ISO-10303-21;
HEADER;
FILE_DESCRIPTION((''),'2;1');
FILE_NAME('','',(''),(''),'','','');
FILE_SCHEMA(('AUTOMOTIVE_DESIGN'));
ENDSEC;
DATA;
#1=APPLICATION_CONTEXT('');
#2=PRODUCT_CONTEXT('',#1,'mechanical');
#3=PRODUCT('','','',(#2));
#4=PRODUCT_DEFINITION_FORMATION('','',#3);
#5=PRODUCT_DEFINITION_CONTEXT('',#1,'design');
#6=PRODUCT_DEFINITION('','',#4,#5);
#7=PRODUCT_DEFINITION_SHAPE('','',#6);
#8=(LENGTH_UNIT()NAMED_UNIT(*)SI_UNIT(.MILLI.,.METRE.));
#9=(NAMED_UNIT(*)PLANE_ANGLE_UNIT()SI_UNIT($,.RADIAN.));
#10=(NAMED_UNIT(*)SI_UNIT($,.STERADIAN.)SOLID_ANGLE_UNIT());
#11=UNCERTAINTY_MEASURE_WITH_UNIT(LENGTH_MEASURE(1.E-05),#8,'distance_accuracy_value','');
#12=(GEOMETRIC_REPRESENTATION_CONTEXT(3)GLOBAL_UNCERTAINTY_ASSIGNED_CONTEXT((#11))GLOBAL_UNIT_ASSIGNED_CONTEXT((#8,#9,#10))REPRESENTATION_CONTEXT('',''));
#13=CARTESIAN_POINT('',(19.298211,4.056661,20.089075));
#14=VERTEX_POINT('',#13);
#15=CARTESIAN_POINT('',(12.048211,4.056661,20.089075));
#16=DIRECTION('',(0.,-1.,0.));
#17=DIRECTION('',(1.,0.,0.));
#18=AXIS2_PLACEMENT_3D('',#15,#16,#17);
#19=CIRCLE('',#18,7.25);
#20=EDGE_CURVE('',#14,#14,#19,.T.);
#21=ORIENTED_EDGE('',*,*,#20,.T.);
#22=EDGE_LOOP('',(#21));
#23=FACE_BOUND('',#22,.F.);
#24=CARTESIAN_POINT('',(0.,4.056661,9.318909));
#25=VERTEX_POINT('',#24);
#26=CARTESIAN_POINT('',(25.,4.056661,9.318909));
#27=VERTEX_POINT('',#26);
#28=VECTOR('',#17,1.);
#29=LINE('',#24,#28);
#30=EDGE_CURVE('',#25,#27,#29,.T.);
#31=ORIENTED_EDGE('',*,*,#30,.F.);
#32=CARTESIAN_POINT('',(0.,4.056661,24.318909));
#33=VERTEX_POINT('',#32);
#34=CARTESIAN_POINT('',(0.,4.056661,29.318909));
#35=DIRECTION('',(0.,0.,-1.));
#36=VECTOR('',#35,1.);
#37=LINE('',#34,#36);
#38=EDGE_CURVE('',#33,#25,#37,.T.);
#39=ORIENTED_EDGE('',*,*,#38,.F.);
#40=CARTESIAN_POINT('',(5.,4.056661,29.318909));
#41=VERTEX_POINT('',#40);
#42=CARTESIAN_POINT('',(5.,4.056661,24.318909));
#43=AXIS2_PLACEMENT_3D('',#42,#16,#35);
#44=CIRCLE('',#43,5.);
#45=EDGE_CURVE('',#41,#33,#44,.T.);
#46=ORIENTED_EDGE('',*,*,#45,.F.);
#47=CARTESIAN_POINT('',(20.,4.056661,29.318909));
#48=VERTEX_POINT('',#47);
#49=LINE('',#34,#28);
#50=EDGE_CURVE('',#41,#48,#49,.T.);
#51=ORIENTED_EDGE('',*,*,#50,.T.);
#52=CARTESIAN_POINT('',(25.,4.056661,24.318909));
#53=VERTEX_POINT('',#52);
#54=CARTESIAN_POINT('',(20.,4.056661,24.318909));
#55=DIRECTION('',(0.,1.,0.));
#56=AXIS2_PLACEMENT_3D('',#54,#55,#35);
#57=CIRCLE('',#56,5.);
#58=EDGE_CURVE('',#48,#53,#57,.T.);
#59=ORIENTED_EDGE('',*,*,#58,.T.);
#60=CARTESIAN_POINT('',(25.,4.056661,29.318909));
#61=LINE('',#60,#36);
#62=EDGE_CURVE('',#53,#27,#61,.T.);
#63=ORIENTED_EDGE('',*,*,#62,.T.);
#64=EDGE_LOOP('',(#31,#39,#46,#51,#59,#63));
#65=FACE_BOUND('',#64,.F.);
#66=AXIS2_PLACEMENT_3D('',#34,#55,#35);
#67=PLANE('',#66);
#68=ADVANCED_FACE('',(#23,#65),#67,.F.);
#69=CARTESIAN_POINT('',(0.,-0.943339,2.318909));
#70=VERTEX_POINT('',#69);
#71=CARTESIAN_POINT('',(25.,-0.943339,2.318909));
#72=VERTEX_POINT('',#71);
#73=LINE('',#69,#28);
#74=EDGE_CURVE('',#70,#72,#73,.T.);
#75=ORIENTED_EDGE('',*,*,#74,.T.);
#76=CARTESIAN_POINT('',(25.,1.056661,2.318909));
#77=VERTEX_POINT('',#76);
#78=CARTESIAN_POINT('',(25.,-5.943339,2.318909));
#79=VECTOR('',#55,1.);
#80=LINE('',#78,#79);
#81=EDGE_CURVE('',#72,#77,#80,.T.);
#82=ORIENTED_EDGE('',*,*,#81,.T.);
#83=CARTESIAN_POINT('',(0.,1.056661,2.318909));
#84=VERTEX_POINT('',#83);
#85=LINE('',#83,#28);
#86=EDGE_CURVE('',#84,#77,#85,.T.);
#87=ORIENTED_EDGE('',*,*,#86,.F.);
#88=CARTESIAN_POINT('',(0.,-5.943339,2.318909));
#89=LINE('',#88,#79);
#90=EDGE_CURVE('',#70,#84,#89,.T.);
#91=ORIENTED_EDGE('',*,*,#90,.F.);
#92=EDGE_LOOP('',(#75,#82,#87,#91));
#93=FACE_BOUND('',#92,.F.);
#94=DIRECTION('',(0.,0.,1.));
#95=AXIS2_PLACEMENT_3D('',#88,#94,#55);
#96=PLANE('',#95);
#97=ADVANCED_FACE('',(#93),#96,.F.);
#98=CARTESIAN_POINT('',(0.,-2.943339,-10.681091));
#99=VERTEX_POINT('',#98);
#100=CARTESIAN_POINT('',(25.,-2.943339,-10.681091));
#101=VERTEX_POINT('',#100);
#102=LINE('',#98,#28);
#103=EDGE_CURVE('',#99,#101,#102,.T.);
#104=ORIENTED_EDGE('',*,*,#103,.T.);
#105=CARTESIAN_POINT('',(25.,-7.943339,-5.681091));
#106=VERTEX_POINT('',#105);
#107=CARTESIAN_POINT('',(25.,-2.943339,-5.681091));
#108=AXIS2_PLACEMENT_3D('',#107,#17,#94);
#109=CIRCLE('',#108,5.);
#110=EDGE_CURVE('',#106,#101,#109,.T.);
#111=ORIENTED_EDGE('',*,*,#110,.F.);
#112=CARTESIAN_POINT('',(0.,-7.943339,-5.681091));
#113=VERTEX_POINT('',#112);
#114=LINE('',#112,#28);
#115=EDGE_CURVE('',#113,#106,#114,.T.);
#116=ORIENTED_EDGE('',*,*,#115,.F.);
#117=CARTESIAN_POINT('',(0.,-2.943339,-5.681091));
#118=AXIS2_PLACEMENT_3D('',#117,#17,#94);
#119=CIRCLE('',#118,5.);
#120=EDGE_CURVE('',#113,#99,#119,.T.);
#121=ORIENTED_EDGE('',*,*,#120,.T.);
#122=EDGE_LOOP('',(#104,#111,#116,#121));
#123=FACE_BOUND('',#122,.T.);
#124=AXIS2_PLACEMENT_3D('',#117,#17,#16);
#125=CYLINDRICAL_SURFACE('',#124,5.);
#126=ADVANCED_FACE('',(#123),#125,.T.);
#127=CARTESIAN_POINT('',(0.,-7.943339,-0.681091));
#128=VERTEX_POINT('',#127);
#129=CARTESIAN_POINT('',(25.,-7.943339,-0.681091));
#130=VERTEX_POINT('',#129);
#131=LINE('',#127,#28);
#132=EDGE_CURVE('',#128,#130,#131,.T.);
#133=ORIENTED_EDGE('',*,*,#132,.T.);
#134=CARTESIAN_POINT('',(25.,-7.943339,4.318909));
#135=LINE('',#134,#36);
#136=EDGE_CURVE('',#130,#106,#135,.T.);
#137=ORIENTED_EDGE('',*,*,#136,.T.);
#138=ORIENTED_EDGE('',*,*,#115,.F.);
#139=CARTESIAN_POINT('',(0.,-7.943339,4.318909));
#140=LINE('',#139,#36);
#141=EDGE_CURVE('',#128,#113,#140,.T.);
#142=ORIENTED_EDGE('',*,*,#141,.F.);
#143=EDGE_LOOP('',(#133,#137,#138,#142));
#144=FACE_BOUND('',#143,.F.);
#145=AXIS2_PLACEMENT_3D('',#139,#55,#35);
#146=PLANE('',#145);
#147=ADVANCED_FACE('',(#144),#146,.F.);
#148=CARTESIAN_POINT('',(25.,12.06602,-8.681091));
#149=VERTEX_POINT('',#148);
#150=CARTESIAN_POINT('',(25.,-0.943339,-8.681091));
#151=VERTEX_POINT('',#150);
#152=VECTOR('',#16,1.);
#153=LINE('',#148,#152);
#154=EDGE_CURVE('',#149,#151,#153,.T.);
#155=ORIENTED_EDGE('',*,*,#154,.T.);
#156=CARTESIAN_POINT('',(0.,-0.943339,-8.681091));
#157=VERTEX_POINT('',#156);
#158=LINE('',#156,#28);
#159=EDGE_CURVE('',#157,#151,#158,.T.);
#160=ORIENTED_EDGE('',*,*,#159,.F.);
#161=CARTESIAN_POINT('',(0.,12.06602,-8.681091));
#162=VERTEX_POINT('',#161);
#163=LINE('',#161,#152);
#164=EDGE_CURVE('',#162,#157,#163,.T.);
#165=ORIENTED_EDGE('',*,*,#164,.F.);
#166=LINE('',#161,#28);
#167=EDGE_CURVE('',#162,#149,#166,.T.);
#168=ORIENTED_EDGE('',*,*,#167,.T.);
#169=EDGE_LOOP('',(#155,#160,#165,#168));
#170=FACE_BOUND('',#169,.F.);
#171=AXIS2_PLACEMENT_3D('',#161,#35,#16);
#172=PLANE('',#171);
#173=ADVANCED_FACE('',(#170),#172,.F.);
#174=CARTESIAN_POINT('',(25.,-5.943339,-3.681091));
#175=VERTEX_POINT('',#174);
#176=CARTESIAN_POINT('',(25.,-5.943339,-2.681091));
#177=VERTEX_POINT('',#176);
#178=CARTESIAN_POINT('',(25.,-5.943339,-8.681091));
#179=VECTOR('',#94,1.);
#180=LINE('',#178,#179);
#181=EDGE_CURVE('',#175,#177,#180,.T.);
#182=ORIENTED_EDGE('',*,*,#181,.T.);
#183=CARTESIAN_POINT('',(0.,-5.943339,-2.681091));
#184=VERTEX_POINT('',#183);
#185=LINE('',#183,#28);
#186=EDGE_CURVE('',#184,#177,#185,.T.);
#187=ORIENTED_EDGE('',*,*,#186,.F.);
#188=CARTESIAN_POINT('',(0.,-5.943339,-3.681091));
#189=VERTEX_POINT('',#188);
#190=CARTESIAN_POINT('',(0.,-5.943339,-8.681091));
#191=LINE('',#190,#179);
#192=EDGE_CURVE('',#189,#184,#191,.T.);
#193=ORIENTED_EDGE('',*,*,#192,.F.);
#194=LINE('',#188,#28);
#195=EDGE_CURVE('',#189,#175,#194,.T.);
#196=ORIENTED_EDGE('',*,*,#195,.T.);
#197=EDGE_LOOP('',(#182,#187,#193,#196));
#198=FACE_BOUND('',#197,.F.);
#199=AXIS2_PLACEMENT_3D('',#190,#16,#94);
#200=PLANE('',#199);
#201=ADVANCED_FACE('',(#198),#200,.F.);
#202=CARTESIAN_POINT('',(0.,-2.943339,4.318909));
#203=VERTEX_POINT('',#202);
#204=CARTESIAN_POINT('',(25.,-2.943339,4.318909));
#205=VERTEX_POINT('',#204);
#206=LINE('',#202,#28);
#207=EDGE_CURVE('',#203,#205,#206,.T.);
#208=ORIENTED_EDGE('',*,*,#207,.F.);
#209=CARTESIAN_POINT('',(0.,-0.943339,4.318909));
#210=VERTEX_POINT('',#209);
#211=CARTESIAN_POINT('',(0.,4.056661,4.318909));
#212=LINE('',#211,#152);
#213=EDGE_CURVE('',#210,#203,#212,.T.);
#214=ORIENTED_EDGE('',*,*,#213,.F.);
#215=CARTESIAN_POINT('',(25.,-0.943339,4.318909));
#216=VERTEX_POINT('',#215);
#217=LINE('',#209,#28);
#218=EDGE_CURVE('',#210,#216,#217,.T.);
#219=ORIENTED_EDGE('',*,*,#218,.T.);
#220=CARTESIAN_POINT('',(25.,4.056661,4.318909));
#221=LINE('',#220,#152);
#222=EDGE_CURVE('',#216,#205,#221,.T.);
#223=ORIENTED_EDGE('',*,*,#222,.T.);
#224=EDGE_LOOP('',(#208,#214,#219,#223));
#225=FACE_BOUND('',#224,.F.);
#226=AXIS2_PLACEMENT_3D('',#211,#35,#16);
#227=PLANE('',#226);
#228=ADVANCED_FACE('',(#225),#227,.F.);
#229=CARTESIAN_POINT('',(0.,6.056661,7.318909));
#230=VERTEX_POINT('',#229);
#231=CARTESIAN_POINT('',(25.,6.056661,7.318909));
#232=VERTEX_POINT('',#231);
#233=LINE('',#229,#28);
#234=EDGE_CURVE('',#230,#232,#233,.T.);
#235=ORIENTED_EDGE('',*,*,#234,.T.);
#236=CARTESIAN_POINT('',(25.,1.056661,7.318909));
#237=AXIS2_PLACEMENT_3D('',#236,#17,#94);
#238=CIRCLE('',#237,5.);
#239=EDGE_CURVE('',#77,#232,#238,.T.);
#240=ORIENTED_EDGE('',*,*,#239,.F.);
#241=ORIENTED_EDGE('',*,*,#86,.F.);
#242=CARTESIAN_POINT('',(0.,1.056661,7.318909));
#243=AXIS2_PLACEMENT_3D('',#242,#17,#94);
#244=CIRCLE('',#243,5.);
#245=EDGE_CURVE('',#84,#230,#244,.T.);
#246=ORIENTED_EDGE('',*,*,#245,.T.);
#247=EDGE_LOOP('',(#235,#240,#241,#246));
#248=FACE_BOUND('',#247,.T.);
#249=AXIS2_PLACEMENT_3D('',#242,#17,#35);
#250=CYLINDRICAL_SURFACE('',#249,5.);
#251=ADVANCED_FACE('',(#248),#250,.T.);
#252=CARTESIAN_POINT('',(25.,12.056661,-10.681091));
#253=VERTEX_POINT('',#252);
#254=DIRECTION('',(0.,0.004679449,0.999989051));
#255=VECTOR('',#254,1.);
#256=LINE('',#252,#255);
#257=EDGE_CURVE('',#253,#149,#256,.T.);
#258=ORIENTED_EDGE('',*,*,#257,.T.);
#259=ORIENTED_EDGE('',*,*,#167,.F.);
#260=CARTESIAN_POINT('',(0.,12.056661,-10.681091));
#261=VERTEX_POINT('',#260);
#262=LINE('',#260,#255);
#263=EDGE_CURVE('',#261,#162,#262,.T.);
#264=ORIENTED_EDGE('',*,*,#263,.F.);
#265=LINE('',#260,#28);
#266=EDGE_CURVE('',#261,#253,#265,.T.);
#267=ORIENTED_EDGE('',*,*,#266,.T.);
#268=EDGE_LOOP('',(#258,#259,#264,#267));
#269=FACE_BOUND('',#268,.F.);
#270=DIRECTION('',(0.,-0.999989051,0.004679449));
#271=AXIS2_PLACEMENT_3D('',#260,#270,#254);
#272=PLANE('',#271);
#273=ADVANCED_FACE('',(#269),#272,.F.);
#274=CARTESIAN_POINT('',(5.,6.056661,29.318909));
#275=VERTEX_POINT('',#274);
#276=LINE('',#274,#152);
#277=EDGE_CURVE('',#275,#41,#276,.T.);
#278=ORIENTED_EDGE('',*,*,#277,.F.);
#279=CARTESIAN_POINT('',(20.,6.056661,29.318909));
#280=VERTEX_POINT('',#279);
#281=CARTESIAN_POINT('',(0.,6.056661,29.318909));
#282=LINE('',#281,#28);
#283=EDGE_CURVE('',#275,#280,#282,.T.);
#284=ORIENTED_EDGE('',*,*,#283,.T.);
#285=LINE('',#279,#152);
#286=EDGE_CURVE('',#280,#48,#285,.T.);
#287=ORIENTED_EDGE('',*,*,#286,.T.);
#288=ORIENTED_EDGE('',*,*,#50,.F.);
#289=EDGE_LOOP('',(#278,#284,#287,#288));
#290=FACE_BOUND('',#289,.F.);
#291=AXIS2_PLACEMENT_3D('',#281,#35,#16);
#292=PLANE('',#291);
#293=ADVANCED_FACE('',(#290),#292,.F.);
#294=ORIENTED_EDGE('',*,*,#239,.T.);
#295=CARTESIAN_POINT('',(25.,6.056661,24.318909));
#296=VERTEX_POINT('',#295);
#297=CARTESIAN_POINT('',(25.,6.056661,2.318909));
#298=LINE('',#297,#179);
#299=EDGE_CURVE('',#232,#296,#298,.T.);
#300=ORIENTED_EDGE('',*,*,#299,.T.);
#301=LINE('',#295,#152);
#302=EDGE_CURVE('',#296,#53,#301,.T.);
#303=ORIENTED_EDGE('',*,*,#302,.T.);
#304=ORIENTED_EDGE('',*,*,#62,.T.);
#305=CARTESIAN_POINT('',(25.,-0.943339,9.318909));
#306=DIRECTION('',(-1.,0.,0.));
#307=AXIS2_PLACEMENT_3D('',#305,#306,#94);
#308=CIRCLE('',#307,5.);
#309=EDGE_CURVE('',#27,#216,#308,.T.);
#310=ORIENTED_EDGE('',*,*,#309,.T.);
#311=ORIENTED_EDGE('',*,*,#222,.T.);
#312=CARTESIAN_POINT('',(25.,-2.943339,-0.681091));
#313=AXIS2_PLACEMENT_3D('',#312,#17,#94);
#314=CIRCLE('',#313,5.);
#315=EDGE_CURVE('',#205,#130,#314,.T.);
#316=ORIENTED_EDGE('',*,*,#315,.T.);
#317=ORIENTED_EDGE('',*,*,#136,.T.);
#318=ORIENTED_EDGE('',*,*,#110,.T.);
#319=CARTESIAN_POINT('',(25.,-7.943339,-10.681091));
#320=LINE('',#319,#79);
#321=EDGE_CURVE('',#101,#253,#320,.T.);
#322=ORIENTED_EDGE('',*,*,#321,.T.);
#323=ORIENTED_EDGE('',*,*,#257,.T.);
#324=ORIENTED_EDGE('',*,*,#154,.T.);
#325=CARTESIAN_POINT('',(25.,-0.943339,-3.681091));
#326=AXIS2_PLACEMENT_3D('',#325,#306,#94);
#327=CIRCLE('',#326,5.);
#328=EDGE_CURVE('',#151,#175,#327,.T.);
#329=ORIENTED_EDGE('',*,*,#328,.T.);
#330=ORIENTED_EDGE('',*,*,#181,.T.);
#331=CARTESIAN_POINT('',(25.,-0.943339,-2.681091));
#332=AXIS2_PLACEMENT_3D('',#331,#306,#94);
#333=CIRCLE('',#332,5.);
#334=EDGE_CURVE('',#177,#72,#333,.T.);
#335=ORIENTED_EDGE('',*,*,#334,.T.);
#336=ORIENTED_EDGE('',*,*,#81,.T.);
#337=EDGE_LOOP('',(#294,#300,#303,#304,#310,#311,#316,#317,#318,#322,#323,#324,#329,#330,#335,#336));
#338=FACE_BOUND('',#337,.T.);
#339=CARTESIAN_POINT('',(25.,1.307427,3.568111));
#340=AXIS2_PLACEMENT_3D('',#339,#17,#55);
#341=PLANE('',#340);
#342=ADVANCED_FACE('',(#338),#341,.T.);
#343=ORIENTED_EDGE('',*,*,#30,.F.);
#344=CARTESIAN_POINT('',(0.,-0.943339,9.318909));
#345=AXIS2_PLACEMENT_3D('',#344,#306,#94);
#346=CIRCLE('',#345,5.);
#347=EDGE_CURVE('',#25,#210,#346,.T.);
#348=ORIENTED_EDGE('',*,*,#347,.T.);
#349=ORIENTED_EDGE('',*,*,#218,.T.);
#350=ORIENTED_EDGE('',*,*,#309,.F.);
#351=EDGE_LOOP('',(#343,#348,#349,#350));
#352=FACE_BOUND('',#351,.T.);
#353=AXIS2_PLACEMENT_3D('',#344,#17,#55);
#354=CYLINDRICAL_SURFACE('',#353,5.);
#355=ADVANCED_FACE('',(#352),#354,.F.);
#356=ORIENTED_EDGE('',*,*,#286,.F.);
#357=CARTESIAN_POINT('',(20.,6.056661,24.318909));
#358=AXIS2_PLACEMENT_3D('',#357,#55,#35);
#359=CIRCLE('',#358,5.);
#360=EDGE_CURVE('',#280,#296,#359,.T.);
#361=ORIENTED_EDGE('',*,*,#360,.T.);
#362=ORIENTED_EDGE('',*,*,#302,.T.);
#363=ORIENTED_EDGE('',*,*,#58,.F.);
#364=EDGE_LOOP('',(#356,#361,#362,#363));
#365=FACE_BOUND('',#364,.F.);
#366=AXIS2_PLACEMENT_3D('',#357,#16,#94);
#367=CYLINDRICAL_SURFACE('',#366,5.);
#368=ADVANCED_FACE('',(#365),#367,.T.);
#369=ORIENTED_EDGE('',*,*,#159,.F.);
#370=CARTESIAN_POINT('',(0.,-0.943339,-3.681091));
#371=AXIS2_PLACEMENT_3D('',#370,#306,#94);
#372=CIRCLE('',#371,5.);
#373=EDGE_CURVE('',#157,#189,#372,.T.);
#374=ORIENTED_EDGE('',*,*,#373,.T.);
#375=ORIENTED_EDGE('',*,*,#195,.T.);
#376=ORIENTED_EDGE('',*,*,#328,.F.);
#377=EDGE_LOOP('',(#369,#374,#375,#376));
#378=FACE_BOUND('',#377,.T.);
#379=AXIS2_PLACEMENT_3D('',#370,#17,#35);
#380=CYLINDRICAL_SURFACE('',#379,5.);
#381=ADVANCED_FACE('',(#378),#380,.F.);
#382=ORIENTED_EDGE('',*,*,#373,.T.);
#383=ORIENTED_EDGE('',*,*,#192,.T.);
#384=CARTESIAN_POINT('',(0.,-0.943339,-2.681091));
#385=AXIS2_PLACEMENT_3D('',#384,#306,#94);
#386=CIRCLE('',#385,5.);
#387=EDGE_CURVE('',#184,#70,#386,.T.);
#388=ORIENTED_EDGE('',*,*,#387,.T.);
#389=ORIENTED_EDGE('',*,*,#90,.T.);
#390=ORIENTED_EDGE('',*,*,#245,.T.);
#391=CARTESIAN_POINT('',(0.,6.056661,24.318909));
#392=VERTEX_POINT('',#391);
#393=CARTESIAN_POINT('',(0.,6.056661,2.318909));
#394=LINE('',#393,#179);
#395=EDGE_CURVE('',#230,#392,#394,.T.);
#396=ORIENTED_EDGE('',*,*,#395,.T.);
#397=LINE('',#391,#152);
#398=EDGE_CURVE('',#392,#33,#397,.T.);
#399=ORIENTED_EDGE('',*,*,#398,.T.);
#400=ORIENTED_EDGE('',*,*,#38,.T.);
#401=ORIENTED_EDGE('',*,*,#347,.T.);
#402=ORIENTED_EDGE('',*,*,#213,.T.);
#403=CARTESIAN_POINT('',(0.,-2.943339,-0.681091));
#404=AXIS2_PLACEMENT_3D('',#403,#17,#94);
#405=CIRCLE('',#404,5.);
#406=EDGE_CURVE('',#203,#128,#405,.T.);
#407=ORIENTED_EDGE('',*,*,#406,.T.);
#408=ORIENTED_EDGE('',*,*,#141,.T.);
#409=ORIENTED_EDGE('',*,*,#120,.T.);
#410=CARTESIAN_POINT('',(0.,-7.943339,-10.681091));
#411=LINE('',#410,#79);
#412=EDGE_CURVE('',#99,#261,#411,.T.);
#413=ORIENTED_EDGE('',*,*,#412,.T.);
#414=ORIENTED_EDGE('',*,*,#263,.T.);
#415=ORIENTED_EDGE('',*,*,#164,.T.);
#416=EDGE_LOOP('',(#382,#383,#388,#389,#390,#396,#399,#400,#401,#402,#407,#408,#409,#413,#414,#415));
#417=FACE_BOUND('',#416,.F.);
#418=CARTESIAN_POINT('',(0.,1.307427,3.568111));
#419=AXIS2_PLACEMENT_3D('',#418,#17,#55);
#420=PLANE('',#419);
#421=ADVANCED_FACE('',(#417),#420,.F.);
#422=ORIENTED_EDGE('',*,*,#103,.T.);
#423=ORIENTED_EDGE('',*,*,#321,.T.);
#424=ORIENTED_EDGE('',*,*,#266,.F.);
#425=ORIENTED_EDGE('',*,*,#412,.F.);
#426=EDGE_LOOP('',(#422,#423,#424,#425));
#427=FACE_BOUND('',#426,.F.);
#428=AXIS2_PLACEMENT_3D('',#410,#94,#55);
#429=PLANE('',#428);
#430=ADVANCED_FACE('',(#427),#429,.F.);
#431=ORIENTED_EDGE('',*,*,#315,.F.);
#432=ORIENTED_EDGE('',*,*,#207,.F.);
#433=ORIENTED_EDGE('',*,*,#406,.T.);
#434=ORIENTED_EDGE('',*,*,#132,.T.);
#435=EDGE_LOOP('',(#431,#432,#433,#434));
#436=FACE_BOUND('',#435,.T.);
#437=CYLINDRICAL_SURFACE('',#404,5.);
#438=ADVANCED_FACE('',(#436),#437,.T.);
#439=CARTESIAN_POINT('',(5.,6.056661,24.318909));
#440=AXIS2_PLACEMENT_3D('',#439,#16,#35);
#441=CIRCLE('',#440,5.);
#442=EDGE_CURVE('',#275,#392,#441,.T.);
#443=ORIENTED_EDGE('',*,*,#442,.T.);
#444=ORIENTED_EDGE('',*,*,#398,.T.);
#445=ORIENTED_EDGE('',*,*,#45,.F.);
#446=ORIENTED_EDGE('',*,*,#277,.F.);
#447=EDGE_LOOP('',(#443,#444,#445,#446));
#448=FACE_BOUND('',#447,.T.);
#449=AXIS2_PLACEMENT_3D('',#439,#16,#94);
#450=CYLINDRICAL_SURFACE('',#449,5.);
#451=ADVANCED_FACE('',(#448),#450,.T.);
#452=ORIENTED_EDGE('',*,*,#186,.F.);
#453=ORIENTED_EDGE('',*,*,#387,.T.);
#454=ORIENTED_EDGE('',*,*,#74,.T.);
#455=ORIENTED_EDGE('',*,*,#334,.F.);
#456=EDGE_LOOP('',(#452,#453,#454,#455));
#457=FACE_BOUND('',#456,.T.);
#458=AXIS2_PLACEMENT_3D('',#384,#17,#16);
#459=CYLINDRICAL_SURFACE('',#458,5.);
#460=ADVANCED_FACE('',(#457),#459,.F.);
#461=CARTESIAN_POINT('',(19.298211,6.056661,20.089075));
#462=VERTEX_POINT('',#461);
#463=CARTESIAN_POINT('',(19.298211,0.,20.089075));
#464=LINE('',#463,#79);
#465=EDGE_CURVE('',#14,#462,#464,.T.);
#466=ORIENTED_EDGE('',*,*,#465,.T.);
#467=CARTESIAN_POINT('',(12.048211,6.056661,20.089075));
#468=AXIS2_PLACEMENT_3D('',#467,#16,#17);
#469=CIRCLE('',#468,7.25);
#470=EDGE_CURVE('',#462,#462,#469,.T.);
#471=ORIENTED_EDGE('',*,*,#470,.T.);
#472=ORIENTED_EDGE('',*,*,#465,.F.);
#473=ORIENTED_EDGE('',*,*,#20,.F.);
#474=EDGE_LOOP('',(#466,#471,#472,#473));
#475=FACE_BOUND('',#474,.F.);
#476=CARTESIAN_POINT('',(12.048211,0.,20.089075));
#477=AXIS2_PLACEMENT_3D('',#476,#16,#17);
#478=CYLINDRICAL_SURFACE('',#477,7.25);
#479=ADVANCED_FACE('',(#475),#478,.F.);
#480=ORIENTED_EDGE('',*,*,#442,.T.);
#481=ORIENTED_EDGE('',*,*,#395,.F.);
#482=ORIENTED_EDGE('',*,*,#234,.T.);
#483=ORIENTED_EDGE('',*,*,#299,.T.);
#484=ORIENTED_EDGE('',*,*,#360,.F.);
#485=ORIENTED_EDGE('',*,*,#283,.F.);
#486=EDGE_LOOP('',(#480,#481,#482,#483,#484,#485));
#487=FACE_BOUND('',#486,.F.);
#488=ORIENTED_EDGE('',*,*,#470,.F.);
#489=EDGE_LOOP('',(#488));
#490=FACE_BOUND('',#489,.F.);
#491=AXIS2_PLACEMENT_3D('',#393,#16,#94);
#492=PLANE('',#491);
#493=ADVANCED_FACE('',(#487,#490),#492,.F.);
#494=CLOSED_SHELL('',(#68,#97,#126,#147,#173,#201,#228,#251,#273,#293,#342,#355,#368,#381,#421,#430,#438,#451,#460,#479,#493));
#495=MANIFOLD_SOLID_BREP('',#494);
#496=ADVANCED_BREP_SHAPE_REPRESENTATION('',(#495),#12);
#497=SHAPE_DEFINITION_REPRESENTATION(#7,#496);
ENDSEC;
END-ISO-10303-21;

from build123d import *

# Parameters (mm, degrees)
F1_DEPTH = 25
F2_R     = 5
F3_R     = 7.25
F4_DEPTH = 25


with BuildPart() as f1:
    # F0 (on Right) → F1 (new body)
    with BuildSketch(Plane.YZ):
        Polygon((6.056661, 29.318909), (4.056661, 29.318909), (4.056661, 4.318909), (-7.943339, 4.318909), (-7.943339, -10.681091), (12.056661, -10.681091), (12.06602, -8.681091), (-5.943339, -8.681091), (-5.943339, 2.318909), (6.056661, 2.318909), align=None)
    extrude(amount=F1_DEPTH)

    # F2
    f2_edges = [f1.edges().sort_by_distance(p)[0] for p in [
        (12.5, 4.056661, 4.318909),
        (12.5, -7.943339, 4.318909),
        (12.5, -7.943339, -10.681091),
        (12.5, -5.943339, 2.318909),
        (12.5, -5.943339, -8.681091),
        (12.5, 6.056661, 2.318909),
        (25, 5.056661, 29.318909),
        (0, 5.056661, 29.318909),
    ]]
    fillet(f2_edges, radius=F2_R)

    # F3 (on Front) → F4 (cut)
    with BuildSketch(Plane.XZ):
        with Locations((12.048211, 20.089075)):
            Circle(F3_R)
    extrude(amount=-F4_DEPTH, mode=Mode.SUBTRACT)


solid = f1.part
